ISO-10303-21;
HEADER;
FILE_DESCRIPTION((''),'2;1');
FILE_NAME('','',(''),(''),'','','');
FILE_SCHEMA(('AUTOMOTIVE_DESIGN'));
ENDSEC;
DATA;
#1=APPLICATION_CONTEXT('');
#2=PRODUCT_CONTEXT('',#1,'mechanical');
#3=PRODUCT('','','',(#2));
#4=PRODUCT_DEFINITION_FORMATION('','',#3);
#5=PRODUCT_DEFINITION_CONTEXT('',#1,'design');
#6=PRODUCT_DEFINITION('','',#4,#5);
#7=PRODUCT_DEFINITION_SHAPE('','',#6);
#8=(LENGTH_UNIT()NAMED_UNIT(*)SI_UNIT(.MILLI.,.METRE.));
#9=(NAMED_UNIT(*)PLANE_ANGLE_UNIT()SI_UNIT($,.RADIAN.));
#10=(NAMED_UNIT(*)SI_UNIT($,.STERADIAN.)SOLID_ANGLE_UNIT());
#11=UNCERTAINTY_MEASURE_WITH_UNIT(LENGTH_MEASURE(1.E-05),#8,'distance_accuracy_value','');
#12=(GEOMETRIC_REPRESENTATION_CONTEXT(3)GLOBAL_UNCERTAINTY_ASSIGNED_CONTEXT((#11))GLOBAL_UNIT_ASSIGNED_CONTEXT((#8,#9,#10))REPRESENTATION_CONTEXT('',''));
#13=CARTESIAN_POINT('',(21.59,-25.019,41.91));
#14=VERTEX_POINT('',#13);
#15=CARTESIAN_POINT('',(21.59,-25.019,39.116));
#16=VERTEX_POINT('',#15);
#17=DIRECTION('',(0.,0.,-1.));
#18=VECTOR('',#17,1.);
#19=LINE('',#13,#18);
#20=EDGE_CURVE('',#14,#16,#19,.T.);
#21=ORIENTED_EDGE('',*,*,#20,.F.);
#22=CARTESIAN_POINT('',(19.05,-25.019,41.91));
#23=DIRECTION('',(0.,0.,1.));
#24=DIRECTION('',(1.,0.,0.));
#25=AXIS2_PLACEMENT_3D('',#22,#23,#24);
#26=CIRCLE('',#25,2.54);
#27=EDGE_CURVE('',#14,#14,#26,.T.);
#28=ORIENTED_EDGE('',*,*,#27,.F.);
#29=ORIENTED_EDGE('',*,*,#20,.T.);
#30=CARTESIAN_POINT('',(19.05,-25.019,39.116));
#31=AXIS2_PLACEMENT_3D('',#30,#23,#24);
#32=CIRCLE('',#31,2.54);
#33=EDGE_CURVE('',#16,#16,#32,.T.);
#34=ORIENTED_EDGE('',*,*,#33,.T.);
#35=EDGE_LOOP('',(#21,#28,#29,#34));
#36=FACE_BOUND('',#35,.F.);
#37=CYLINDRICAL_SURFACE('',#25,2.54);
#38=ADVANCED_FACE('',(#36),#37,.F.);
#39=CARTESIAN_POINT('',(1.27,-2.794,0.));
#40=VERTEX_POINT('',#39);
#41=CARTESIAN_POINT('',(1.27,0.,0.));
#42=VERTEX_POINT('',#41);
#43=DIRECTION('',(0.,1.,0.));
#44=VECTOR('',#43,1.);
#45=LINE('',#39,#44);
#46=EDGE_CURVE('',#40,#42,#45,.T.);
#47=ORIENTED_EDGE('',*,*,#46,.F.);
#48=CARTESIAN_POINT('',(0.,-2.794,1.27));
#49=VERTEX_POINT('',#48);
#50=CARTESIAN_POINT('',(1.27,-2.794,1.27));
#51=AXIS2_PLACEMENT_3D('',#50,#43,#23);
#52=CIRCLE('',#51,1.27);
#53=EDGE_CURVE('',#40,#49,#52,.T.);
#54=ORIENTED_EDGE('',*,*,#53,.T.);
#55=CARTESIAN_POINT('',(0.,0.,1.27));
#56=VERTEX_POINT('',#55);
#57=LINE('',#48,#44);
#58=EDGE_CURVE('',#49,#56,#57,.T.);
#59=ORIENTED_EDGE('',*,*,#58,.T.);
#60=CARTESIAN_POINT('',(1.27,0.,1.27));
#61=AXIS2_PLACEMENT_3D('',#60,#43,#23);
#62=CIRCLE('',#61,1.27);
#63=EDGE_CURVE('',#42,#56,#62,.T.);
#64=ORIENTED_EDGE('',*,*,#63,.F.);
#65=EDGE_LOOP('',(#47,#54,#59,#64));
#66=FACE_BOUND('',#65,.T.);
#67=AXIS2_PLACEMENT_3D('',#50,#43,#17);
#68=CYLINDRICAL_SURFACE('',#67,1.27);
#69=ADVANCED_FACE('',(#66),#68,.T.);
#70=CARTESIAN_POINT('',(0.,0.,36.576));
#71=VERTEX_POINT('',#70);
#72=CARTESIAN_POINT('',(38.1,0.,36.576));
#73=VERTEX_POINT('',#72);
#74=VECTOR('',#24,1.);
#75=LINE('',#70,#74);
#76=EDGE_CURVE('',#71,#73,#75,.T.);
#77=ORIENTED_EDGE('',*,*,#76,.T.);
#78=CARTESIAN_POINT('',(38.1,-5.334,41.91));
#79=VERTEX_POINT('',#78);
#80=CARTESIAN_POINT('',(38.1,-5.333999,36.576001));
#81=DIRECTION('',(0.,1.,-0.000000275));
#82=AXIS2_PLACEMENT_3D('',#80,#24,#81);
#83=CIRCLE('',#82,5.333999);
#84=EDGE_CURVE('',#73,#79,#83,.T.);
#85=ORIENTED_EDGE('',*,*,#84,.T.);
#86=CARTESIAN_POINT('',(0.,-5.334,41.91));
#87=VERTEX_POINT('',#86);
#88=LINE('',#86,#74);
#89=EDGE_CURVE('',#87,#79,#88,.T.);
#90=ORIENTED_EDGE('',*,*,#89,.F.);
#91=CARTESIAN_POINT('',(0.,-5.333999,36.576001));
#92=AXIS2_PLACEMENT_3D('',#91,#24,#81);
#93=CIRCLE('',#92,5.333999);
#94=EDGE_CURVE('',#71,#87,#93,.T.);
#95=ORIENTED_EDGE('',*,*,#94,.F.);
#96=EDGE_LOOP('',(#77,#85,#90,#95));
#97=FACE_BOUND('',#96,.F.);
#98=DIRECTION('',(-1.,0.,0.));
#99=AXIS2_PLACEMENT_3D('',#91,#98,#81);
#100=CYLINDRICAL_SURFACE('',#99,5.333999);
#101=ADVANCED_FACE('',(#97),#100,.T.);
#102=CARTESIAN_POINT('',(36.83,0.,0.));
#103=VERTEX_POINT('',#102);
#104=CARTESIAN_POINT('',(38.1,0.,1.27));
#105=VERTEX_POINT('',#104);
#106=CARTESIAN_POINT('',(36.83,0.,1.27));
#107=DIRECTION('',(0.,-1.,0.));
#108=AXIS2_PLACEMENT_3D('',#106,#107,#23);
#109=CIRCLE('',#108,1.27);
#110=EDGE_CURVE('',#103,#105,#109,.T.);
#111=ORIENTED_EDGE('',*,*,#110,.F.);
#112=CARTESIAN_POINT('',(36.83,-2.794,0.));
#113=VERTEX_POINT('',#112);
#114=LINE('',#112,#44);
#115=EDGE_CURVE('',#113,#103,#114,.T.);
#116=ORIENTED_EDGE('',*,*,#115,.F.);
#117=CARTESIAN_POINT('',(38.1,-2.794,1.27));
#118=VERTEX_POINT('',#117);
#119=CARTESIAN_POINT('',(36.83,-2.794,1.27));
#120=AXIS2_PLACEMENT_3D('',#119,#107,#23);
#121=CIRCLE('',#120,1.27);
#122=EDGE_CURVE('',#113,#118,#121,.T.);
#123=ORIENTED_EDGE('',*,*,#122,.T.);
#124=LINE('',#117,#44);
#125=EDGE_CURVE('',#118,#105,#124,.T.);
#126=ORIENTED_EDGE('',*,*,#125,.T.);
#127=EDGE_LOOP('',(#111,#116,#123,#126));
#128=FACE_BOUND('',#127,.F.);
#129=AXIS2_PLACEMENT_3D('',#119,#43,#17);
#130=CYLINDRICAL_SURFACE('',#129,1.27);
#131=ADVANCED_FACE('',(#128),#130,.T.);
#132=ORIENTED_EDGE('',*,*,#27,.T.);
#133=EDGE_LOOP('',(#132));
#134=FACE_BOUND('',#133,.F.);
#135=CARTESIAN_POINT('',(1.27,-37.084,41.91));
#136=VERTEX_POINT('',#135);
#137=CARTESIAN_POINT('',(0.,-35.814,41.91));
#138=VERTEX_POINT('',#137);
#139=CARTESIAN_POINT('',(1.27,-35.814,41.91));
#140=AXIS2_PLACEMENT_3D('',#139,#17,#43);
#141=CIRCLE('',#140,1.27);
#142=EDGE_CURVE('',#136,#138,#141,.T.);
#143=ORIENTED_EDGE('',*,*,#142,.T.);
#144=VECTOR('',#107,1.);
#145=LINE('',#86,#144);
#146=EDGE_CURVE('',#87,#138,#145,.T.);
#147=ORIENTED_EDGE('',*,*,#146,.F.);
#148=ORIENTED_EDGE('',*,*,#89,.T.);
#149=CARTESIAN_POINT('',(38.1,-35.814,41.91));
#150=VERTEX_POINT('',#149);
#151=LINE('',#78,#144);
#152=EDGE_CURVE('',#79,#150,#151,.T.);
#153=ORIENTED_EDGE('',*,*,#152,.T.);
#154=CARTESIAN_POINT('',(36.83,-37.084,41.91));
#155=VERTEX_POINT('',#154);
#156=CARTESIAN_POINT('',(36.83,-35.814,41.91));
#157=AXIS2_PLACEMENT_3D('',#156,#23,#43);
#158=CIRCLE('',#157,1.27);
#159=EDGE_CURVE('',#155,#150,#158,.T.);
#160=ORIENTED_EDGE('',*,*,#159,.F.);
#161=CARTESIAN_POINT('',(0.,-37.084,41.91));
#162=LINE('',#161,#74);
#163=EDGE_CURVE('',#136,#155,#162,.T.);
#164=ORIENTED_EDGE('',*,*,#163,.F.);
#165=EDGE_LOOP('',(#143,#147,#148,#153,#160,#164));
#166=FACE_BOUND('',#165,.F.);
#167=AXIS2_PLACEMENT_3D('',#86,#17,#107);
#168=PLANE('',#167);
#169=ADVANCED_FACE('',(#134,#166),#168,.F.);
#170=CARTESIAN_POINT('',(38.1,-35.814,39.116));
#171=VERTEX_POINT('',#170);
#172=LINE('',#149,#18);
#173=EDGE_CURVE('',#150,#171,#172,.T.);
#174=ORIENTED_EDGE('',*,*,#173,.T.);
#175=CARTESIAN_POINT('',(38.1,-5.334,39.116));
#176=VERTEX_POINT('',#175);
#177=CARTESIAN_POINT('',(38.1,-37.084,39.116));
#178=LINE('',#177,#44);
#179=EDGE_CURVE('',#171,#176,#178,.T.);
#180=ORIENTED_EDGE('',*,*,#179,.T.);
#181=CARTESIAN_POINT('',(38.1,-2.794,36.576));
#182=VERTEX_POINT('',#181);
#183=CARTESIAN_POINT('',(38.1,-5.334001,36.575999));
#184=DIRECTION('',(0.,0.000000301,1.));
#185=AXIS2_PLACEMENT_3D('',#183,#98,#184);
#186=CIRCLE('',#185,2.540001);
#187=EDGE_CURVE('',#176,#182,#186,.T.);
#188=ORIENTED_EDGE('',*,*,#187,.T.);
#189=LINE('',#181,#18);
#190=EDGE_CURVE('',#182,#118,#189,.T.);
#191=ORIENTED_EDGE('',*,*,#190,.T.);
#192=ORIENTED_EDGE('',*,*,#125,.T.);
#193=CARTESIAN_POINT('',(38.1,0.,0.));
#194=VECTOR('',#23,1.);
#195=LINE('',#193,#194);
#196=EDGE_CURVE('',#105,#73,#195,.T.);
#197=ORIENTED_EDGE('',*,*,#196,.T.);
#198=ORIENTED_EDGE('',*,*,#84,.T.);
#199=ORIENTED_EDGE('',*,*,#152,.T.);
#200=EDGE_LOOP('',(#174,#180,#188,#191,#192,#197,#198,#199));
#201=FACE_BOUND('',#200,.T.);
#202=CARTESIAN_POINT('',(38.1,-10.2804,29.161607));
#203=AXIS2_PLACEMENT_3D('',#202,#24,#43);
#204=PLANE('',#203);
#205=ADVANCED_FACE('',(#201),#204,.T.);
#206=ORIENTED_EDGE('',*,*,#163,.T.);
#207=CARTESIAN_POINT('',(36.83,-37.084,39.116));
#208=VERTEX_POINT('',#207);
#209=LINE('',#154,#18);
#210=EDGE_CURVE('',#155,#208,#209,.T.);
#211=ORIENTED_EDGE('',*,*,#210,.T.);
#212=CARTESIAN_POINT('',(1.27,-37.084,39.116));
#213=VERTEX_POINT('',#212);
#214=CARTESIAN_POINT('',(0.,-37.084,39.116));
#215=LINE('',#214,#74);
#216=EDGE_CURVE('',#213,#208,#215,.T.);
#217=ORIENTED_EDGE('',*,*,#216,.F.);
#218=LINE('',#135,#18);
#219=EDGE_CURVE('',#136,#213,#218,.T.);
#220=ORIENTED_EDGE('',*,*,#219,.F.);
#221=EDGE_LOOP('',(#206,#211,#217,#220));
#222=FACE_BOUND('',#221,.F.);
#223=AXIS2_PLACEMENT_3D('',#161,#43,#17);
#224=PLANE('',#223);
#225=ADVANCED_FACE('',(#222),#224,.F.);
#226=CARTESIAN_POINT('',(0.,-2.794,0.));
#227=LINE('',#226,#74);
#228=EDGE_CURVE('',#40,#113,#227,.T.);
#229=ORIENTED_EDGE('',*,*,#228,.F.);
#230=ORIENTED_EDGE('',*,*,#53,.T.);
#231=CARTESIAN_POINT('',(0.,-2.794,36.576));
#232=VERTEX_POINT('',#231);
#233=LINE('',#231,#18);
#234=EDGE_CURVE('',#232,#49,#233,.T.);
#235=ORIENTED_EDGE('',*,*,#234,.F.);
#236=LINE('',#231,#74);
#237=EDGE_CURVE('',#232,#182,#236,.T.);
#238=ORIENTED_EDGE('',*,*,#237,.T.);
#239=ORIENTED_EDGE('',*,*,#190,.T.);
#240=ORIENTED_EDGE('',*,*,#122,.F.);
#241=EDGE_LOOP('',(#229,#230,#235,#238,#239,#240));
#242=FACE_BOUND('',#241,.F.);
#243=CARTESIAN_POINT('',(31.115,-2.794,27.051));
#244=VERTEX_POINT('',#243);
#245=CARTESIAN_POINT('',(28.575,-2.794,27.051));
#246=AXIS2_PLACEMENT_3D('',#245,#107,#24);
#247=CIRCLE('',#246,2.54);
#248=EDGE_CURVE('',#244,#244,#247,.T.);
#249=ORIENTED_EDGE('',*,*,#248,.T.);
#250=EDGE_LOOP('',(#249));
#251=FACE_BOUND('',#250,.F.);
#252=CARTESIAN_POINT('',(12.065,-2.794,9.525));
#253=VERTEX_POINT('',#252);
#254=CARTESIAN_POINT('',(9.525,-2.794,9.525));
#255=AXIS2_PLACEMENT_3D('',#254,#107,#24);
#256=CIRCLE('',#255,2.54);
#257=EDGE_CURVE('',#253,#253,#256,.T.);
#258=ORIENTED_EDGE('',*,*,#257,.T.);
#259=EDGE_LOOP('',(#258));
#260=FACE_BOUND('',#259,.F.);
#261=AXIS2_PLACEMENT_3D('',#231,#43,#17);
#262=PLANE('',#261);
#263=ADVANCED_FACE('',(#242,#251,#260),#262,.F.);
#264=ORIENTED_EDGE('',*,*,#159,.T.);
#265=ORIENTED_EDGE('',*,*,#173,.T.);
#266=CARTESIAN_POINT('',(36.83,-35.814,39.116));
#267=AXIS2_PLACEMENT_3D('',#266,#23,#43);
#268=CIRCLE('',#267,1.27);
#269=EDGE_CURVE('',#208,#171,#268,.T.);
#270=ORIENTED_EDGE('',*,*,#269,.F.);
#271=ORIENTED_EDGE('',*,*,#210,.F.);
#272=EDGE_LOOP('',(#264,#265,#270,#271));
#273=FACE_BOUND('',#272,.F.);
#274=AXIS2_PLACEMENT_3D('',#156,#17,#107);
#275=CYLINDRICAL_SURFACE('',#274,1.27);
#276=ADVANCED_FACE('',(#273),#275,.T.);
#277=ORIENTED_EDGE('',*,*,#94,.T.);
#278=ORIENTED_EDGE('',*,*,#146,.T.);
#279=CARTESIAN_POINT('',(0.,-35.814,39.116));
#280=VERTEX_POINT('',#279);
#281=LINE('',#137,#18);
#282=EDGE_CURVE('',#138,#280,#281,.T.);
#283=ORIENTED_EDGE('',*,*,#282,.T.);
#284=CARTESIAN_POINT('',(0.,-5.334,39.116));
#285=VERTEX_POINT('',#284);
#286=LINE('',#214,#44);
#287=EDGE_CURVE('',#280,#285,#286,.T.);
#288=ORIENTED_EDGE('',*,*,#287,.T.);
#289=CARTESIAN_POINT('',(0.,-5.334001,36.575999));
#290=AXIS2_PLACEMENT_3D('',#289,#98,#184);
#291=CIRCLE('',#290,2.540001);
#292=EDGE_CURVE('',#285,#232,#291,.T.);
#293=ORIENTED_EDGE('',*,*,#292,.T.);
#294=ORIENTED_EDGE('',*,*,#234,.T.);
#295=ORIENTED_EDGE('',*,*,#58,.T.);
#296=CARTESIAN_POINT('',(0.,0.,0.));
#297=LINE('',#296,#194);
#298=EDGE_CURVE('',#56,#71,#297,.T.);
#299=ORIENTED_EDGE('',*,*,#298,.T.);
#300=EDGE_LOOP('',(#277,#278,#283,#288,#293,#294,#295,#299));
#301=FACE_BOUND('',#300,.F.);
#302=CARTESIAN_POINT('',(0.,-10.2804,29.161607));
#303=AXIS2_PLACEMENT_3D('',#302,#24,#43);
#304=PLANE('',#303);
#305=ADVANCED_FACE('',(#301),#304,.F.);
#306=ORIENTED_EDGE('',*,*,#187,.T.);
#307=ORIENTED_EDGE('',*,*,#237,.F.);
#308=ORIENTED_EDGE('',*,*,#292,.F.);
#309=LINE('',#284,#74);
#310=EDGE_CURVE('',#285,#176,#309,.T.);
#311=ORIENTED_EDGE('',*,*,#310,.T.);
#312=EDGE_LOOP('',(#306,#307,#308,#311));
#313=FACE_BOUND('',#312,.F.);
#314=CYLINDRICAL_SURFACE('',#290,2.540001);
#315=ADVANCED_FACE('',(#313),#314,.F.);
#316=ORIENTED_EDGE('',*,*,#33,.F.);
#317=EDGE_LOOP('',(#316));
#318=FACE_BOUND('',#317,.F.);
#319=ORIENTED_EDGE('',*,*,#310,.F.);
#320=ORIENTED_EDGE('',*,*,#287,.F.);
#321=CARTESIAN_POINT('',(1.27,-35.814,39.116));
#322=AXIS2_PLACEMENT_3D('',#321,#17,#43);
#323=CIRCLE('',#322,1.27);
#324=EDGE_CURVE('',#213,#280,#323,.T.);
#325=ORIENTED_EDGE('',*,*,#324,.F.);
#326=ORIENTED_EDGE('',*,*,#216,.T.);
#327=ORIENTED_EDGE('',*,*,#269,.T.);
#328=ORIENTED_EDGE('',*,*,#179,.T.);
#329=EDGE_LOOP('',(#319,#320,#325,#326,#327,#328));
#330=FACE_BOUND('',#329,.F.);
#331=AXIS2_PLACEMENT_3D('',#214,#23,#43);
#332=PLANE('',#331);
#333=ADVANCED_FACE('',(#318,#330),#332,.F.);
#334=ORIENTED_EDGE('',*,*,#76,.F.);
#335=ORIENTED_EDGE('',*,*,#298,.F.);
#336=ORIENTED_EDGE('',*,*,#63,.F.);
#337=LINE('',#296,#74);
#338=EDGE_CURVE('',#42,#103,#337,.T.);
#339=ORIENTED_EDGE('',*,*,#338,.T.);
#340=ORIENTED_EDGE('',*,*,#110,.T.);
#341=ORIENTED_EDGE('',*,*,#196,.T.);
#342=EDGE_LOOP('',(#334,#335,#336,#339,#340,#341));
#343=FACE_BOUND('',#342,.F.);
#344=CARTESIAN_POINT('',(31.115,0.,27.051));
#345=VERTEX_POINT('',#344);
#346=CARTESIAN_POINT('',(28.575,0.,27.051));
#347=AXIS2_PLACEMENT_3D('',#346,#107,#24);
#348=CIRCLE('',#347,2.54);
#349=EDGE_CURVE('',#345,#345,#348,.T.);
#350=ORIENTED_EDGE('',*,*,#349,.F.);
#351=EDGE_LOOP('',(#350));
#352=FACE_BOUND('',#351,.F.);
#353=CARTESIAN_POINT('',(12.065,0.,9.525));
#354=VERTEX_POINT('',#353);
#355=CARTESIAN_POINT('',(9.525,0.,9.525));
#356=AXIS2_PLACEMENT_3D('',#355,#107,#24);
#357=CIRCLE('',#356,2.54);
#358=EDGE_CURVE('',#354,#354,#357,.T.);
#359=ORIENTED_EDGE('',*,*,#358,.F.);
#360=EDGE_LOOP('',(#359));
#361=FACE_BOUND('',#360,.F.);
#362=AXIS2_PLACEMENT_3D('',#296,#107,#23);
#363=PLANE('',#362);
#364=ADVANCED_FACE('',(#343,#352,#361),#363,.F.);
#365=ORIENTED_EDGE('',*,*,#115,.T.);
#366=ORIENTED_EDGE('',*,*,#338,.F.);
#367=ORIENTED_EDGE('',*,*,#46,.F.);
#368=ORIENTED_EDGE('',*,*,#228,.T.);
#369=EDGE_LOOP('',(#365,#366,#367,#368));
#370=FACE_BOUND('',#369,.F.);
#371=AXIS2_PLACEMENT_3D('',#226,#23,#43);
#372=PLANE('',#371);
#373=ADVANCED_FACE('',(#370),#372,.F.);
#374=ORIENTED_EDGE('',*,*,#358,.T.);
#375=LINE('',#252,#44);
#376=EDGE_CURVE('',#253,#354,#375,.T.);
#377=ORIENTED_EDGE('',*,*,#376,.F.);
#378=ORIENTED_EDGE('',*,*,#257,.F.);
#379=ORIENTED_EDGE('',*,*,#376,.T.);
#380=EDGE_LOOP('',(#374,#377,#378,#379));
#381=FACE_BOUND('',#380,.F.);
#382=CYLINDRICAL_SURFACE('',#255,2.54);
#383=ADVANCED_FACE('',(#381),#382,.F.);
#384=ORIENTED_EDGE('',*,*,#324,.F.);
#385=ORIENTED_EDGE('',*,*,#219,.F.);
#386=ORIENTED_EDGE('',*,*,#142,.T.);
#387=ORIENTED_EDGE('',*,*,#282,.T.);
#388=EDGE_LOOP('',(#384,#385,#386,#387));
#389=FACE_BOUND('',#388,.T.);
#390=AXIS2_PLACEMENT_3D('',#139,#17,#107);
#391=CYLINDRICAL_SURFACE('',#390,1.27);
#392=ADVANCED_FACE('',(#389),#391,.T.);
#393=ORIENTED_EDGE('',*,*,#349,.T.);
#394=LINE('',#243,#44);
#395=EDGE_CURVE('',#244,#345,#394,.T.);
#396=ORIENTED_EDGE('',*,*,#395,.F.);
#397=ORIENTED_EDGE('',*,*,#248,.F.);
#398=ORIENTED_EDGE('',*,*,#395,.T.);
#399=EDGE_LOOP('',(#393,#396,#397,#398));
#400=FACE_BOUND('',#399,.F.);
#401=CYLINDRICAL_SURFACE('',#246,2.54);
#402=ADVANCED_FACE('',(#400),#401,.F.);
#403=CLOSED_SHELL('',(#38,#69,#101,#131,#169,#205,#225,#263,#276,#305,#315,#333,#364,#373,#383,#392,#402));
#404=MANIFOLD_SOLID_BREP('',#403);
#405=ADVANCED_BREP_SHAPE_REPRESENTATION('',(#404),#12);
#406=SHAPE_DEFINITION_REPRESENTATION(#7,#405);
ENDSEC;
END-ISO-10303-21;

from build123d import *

# Parameters (mm, degrees)
F1_DEPTH = 38.1
F2_R     = 1.27
F3_R     = 2.54
F4_DEPTH = 2.794
F5_R     = 2.54
F6_DEPTH = 2.794


with BuildPart() as f1:
    # F0 (on Right) → F1 (new body)
    with BuildSketch(Plane.YZ):
        with BuildLine():
            Line((-2.794, 0), (0, 0))
            Line((0, 0), (0, 36.576))
            ThreePointArc((0, 36.576), (-1.562292, 40.347708), (-5.334, 41.91))
            Line((-5.334, 41.91), (-37.084, 41.91))
            Line((-37.084, 41.91), (-37.084, 39.116))
            Line((-37.084, 39.116), (-5.334, 39.116))
            ThreePointArc((-5.334, 39.116), (-3.537949, 38.372051), (-2.794, 36.576))
            Line((-2.794, 36.576), (-2.794, 0))
        make_face()
    extrude(amount=F1_DEPTH)

    # F2
    f2_edges = [f1.edges().sort_by_distance(p)[0] for p in [
        (0, -37.084, 40.513),
        (38.1, -37.084, 40.513),
        (38.1, -1.397, 0),
        (0, -1.397, 0),
    ]]
    fillet(f2_edges, radius=F2_R)

    # F3 (on face) → F4 (cut, through all)
    with BuildSketch(Plane.XY.offset(41.91)):
        with Locations((19.05, -25.019)):
            Circle(F3_R)
    extrude(amount=-F4_DEPTH, mode=Mode.SUBTRACT)

    # F5 (on face) → F6 (cut, through all)
    with BuildSketch(Plane.XZ.offset(2.794)):
        with Locations((28.575, 27.051)):
            Circle(F5_R)
        with Locations((9.525, 9.525)):
            Circle(F5_R)
    extrude(amount=-F6_DEPTH, mode=Mode.SUBTRACT)


solid = f1.part
